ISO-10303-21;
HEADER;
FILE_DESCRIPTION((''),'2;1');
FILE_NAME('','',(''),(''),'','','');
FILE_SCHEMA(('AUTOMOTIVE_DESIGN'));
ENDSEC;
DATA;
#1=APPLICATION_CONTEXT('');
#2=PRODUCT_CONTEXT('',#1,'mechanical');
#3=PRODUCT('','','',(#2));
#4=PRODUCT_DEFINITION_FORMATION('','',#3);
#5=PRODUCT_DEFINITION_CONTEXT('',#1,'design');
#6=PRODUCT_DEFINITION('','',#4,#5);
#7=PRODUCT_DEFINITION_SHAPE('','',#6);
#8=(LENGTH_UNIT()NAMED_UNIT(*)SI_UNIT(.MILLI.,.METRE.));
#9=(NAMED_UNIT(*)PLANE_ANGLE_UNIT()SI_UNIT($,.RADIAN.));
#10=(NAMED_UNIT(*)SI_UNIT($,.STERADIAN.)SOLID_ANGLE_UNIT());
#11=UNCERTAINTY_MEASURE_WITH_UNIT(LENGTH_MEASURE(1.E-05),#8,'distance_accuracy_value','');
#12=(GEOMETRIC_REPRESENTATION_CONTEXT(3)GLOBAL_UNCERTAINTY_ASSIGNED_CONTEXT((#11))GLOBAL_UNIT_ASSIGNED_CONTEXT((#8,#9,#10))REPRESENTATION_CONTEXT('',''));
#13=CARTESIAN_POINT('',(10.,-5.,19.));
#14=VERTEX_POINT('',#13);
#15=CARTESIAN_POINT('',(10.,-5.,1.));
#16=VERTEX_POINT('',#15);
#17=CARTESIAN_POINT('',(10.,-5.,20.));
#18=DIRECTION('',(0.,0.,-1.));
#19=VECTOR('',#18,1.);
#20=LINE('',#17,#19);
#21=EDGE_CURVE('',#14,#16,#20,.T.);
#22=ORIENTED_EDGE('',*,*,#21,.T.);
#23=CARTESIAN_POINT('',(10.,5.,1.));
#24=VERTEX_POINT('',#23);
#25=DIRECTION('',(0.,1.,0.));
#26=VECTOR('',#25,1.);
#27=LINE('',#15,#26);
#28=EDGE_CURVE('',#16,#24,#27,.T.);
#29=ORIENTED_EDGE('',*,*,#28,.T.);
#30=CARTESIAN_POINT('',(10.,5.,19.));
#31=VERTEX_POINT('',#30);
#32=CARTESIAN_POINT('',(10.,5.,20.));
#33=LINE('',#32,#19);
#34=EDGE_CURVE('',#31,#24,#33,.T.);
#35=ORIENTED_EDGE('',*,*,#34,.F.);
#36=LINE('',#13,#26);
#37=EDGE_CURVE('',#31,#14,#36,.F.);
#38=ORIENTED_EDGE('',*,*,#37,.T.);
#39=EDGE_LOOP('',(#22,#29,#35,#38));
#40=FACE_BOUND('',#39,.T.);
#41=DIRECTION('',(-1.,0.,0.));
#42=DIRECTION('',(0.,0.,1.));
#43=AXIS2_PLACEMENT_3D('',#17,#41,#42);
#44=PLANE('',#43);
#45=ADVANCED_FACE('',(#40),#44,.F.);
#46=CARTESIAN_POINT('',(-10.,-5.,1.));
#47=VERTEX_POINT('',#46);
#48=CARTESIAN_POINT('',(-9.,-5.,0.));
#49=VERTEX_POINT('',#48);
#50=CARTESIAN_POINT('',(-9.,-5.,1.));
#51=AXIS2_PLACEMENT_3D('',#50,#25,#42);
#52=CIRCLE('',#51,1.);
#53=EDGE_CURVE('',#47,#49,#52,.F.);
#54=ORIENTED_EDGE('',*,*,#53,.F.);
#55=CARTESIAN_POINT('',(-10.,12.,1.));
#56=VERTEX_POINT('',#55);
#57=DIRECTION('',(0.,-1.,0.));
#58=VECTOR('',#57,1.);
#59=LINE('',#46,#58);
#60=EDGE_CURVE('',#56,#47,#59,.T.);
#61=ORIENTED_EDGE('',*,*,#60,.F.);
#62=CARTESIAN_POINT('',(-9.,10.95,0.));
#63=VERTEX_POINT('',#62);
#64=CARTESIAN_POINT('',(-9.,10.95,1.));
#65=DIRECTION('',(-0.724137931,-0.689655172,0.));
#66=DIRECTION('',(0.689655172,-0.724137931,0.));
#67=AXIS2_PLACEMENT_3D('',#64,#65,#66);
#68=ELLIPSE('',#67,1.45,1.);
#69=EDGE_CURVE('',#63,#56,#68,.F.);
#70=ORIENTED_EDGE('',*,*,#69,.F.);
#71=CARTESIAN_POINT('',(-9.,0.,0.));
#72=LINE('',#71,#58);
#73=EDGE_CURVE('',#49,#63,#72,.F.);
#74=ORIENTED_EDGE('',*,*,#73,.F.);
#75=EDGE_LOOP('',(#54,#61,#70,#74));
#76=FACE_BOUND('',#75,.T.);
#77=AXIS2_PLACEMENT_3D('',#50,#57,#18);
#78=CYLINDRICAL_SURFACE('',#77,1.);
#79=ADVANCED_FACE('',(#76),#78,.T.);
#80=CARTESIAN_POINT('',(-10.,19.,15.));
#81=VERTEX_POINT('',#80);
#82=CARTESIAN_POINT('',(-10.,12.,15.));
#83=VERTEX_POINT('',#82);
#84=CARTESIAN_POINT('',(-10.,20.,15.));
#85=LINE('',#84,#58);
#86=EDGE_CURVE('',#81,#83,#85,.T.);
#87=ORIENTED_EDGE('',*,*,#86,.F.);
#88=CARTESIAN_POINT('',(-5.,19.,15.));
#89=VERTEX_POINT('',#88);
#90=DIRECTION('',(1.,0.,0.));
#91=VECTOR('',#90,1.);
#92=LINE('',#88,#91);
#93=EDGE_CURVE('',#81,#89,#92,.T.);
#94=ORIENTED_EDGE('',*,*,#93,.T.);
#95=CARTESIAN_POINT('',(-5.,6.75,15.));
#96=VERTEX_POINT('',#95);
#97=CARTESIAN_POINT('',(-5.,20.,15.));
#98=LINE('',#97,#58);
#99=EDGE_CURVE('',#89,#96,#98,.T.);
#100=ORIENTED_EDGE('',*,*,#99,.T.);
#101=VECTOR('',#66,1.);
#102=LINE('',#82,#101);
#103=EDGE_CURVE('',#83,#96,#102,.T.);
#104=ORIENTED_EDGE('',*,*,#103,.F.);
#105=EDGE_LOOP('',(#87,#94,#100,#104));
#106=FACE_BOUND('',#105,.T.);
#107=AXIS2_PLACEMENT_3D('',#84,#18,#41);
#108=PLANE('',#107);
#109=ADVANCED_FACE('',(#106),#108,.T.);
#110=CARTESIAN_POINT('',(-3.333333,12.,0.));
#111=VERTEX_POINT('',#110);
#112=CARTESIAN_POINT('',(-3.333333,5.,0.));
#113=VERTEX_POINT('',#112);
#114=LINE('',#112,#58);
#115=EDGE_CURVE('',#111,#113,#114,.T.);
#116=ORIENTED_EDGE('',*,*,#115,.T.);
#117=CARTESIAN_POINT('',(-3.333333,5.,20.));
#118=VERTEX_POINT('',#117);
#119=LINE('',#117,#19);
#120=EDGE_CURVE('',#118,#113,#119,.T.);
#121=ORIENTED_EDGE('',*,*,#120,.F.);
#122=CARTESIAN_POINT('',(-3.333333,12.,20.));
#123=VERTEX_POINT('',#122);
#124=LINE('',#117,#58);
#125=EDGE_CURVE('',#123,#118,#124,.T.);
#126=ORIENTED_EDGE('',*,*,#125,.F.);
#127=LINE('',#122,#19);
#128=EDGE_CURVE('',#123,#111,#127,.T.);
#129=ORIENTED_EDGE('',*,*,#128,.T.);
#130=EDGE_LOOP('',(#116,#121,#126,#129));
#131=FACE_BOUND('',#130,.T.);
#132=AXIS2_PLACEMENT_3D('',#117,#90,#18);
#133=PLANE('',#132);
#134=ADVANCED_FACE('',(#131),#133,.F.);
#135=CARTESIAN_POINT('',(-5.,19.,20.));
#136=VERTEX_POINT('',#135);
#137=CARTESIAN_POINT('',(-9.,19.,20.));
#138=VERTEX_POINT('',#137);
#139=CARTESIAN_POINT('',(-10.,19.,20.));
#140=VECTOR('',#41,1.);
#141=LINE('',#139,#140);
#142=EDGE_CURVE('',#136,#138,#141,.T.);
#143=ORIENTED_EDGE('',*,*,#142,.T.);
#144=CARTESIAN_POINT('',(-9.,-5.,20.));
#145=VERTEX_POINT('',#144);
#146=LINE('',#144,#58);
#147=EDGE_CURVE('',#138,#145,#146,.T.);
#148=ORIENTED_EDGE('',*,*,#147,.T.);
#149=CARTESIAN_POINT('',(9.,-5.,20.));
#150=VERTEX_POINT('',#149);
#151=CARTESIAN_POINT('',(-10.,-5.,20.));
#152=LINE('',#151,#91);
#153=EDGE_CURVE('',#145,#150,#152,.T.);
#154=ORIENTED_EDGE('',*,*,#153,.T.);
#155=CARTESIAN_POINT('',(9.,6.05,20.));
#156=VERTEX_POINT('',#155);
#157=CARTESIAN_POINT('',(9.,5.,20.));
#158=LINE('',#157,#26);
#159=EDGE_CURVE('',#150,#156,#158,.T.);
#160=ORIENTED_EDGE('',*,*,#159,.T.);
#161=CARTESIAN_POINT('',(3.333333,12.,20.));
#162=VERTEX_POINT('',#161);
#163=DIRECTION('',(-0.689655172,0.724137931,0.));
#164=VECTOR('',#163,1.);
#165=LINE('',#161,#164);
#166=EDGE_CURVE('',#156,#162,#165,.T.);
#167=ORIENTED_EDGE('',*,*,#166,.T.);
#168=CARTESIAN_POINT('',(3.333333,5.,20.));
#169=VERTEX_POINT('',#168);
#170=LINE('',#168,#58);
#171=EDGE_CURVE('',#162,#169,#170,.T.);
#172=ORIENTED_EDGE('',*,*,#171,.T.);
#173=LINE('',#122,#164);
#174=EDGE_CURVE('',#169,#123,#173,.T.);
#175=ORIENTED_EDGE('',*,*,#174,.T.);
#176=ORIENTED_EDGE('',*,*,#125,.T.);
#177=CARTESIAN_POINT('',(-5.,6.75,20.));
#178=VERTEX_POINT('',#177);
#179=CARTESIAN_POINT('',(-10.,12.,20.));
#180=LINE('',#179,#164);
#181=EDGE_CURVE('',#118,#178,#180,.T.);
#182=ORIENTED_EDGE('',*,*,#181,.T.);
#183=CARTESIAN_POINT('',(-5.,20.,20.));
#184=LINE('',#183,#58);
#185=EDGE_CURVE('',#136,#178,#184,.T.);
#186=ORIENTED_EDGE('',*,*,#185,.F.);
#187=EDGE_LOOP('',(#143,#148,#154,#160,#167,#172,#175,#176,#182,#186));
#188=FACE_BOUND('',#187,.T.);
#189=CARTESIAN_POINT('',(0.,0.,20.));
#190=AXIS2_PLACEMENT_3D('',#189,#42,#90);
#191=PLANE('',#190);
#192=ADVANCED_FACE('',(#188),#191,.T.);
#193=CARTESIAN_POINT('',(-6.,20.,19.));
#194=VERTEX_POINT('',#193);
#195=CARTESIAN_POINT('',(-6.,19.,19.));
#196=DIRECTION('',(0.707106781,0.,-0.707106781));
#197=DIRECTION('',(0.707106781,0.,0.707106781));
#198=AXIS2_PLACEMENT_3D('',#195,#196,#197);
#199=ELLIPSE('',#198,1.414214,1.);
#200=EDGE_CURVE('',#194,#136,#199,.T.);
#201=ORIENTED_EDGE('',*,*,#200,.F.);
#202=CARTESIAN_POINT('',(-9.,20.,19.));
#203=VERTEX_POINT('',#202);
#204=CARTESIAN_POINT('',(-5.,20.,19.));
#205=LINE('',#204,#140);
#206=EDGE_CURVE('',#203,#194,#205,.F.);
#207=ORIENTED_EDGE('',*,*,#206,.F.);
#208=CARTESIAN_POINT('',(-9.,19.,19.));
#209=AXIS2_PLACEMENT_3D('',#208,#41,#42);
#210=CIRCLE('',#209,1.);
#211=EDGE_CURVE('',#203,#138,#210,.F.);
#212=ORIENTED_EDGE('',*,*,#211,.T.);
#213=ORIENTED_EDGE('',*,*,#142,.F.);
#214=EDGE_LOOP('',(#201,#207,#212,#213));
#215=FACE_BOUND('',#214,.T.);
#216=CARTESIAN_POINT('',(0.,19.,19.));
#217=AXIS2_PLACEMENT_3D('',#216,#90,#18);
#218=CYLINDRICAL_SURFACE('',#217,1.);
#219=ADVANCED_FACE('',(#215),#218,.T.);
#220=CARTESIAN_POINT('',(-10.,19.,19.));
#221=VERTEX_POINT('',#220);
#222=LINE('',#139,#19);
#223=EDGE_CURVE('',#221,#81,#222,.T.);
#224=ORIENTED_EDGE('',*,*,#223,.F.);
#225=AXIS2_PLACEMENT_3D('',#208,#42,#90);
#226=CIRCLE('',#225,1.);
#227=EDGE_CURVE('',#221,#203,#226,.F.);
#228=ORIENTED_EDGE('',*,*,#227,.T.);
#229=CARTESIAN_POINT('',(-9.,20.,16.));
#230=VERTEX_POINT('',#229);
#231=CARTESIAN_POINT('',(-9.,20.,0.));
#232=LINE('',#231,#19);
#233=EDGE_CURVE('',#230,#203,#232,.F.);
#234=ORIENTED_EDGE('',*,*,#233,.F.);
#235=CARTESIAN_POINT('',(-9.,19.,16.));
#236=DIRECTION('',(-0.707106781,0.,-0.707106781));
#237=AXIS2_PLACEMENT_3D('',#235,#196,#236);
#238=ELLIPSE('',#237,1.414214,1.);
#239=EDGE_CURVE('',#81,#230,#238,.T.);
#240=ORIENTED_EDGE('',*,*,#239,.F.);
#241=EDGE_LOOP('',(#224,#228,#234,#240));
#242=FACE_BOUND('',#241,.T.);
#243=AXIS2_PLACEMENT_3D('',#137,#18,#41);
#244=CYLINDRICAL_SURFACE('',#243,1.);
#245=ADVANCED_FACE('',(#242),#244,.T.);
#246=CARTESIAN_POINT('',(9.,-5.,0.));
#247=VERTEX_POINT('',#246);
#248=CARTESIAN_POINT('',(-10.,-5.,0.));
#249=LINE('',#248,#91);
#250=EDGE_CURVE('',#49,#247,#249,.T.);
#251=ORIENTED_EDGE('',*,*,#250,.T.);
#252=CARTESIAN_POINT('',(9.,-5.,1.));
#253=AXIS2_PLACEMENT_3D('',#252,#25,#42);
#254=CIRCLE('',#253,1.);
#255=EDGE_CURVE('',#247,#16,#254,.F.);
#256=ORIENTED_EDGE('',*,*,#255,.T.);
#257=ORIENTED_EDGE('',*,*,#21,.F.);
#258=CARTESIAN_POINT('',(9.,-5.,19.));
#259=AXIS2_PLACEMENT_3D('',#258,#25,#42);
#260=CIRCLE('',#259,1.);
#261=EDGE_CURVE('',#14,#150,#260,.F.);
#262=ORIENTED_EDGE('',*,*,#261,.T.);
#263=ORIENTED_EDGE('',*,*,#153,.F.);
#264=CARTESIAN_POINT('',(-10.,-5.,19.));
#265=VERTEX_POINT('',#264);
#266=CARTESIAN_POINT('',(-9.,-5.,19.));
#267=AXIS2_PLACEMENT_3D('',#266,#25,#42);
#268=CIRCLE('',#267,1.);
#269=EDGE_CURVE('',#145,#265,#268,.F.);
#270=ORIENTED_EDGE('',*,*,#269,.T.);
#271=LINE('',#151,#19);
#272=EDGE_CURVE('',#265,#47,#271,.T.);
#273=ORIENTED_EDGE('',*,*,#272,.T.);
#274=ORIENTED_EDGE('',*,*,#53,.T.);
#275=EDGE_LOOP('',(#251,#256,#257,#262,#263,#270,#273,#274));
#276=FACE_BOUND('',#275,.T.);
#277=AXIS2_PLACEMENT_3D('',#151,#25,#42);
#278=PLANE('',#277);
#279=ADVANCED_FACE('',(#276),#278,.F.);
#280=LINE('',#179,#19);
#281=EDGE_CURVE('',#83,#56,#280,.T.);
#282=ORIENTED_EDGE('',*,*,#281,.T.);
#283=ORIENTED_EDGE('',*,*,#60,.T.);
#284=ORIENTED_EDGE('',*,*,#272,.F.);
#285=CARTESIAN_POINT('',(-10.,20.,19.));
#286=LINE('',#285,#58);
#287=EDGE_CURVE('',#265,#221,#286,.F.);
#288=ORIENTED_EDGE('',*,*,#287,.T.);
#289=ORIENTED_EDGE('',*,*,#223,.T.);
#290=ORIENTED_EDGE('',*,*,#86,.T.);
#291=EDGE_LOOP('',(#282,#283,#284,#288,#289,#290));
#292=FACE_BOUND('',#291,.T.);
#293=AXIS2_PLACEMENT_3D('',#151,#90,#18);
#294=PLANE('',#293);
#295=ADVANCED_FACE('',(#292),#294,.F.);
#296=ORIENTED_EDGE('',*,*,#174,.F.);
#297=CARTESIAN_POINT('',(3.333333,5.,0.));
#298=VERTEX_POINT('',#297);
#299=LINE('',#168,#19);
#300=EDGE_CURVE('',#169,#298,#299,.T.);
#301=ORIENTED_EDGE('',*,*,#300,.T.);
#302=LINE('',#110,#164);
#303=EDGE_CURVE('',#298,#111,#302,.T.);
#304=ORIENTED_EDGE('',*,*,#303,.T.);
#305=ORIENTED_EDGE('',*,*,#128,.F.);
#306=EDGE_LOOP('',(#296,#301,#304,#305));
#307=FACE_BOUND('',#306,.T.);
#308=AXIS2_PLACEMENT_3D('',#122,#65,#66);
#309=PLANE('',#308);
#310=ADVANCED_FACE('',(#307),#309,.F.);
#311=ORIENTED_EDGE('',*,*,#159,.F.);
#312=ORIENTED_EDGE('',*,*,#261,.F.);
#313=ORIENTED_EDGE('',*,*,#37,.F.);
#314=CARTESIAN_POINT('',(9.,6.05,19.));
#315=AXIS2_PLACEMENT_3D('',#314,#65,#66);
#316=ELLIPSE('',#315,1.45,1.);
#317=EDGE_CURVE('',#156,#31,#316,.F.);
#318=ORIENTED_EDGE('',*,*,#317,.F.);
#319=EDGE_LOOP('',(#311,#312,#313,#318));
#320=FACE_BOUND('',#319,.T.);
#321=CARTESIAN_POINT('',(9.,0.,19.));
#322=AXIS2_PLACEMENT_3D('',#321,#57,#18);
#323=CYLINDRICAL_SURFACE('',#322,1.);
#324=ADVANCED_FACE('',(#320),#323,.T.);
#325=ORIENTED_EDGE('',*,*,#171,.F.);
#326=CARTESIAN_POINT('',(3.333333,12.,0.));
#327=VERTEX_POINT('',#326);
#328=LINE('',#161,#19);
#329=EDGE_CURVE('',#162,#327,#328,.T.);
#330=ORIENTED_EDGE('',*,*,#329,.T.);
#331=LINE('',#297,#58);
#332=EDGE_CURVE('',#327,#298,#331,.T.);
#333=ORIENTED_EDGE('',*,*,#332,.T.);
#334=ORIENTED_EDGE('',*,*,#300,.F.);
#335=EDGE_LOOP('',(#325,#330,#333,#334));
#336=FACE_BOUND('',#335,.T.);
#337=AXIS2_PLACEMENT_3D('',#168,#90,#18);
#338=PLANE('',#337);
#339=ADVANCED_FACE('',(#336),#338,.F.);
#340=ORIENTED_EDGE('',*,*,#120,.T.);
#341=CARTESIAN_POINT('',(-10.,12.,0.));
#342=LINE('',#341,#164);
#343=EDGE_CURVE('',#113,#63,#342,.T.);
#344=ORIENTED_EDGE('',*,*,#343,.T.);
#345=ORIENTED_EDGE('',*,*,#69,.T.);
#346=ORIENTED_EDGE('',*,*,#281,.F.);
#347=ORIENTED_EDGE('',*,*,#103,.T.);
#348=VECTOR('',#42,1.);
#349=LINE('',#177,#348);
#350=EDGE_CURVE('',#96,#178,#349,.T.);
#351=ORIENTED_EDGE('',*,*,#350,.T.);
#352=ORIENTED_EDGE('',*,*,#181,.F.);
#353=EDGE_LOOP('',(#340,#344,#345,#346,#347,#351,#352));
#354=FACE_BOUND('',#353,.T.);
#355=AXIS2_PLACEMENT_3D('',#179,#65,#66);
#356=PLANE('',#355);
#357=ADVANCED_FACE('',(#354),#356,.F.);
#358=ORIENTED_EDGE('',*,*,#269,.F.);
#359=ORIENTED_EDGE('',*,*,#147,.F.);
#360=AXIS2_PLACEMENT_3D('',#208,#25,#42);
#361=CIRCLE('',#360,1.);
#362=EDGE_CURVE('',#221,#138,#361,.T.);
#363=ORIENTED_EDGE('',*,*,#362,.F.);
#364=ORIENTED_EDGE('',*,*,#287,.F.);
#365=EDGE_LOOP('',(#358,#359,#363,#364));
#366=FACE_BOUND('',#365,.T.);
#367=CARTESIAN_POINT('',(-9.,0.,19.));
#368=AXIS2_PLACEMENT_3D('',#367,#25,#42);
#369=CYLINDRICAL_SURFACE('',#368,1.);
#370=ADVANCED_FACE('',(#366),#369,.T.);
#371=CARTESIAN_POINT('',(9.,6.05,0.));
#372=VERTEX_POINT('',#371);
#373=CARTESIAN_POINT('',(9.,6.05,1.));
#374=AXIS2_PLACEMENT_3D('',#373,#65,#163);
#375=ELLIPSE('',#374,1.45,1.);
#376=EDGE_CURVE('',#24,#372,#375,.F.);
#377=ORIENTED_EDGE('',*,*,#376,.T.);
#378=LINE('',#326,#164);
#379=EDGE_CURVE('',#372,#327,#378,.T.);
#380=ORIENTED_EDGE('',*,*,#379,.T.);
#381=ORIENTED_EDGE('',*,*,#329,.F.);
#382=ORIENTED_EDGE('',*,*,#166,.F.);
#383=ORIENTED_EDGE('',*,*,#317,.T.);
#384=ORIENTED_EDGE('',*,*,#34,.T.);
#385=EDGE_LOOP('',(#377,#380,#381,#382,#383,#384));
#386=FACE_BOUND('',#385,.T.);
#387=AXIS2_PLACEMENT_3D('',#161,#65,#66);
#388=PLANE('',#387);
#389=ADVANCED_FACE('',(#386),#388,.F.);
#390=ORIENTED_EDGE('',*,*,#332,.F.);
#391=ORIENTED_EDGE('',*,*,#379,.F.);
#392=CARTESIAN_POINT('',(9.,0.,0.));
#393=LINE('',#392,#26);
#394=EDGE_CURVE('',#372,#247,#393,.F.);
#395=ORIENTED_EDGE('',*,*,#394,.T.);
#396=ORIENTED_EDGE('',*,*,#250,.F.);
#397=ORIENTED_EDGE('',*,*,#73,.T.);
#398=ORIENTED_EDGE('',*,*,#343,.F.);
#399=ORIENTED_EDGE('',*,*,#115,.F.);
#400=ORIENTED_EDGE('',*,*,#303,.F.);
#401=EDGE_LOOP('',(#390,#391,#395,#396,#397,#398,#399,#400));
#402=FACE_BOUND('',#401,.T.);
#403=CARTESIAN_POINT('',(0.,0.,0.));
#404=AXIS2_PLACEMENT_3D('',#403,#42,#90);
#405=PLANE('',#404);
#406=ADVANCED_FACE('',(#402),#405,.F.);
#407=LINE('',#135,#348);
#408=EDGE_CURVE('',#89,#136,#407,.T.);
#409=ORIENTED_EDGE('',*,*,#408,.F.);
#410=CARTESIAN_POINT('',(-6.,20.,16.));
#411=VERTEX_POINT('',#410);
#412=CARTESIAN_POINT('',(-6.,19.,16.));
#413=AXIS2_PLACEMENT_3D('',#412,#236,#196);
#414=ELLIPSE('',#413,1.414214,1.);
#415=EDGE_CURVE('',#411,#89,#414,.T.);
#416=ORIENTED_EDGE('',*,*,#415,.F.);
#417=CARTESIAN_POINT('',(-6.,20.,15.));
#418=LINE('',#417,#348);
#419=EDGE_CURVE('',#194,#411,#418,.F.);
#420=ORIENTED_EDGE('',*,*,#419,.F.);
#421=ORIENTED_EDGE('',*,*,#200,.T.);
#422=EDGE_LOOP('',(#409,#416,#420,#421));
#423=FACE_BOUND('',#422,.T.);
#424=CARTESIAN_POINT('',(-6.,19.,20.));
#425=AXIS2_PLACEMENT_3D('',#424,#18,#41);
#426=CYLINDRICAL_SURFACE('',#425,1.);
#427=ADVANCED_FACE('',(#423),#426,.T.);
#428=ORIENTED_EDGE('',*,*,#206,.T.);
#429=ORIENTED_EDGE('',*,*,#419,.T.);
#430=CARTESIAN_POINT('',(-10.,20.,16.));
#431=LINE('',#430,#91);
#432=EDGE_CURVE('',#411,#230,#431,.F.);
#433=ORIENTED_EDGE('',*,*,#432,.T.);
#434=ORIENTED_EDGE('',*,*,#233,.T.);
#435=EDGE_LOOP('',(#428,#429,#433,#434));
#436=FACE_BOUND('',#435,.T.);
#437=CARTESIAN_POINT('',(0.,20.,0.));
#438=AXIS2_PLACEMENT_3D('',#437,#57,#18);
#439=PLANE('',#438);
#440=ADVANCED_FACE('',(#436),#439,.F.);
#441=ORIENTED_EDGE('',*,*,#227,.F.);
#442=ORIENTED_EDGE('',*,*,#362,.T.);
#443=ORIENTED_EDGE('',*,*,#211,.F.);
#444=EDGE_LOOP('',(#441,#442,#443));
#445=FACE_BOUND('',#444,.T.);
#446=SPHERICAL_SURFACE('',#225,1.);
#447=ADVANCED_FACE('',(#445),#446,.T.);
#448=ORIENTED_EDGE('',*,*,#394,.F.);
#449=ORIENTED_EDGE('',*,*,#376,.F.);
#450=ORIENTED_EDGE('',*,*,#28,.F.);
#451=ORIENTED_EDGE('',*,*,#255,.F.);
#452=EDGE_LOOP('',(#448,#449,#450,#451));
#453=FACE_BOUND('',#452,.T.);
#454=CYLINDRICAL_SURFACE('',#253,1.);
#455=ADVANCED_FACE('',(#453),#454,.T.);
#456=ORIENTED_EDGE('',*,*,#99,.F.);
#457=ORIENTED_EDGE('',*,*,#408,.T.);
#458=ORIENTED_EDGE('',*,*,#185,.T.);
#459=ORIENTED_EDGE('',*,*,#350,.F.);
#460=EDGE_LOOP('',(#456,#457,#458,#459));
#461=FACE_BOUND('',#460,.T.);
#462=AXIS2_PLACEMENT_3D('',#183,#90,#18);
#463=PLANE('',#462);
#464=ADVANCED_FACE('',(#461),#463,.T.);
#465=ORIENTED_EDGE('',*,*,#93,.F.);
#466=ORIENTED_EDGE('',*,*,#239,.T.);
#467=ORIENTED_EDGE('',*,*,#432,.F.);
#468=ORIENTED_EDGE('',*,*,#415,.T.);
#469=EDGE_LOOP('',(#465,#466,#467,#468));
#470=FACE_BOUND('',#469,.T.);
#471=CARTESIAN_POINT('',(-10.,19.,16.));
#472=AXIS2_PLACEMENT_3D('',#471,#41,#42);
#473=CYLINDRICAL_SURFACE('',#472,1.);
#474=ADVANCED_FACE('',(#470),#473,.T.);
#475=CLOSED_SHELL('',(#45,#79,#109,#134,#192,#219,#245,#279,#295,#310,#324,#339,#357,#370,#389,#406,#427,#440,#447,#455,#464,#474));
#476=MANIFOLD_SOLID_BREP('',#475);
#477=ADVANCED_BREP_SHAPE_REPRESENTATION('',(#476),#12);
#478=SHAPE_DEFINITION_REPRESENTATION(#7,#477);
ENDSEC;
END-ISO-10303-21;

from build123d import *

# Parameters (mm, degrees)
EXTRUDE_1_DEPTH = 20
SKETCH_2_W      = 5
SKETCH_2_H      = 5
EXTRUDE_2_DEPTH = 25
FILLET_1_R      = 1


with BuildPart() as part:
    # 草图1 → 凸台-拉伸1 (new body)
    with BuildSketch(Plane.XY):
        Polygon((-10, 5), (-10, 12), (-3.333333333, 5), (-3.333333333, 12), (3.333333333, 5), (3.333333333, 12), (10, 5), (10, -5), (-10, -5), align=None)
    extrude(amount=EXTRUDE_1_DEPTH)

    # 草图2 → 凸台-拉伸2 (add)
    with BuildSketch(Plane.XZ.offset(5)):
        with Locations((-7.5, 17.5)):
            Rectangle(SKETCH_2_W, SKETCH_2_H)
    extrude(amount=-EXTRUDE_2_DEPTH)

    # 圆角1
    fillet_1_edges = [part.edges().sort_by_distance(p)[0] for p in [
        (-10, 7.5, 20),
        (10, 0, 20),
        (-7.5, 20, 20),
        (-7.5, 20, 15),
        (-10, 20, 17.5),
        (-5, 20, 17.5),
        (10, 0, 0),
        (-10, 3.5, 0),
    ]]
    fillet(fillet_1_edges, radius=FILLET_1_R)


solid = part.part
